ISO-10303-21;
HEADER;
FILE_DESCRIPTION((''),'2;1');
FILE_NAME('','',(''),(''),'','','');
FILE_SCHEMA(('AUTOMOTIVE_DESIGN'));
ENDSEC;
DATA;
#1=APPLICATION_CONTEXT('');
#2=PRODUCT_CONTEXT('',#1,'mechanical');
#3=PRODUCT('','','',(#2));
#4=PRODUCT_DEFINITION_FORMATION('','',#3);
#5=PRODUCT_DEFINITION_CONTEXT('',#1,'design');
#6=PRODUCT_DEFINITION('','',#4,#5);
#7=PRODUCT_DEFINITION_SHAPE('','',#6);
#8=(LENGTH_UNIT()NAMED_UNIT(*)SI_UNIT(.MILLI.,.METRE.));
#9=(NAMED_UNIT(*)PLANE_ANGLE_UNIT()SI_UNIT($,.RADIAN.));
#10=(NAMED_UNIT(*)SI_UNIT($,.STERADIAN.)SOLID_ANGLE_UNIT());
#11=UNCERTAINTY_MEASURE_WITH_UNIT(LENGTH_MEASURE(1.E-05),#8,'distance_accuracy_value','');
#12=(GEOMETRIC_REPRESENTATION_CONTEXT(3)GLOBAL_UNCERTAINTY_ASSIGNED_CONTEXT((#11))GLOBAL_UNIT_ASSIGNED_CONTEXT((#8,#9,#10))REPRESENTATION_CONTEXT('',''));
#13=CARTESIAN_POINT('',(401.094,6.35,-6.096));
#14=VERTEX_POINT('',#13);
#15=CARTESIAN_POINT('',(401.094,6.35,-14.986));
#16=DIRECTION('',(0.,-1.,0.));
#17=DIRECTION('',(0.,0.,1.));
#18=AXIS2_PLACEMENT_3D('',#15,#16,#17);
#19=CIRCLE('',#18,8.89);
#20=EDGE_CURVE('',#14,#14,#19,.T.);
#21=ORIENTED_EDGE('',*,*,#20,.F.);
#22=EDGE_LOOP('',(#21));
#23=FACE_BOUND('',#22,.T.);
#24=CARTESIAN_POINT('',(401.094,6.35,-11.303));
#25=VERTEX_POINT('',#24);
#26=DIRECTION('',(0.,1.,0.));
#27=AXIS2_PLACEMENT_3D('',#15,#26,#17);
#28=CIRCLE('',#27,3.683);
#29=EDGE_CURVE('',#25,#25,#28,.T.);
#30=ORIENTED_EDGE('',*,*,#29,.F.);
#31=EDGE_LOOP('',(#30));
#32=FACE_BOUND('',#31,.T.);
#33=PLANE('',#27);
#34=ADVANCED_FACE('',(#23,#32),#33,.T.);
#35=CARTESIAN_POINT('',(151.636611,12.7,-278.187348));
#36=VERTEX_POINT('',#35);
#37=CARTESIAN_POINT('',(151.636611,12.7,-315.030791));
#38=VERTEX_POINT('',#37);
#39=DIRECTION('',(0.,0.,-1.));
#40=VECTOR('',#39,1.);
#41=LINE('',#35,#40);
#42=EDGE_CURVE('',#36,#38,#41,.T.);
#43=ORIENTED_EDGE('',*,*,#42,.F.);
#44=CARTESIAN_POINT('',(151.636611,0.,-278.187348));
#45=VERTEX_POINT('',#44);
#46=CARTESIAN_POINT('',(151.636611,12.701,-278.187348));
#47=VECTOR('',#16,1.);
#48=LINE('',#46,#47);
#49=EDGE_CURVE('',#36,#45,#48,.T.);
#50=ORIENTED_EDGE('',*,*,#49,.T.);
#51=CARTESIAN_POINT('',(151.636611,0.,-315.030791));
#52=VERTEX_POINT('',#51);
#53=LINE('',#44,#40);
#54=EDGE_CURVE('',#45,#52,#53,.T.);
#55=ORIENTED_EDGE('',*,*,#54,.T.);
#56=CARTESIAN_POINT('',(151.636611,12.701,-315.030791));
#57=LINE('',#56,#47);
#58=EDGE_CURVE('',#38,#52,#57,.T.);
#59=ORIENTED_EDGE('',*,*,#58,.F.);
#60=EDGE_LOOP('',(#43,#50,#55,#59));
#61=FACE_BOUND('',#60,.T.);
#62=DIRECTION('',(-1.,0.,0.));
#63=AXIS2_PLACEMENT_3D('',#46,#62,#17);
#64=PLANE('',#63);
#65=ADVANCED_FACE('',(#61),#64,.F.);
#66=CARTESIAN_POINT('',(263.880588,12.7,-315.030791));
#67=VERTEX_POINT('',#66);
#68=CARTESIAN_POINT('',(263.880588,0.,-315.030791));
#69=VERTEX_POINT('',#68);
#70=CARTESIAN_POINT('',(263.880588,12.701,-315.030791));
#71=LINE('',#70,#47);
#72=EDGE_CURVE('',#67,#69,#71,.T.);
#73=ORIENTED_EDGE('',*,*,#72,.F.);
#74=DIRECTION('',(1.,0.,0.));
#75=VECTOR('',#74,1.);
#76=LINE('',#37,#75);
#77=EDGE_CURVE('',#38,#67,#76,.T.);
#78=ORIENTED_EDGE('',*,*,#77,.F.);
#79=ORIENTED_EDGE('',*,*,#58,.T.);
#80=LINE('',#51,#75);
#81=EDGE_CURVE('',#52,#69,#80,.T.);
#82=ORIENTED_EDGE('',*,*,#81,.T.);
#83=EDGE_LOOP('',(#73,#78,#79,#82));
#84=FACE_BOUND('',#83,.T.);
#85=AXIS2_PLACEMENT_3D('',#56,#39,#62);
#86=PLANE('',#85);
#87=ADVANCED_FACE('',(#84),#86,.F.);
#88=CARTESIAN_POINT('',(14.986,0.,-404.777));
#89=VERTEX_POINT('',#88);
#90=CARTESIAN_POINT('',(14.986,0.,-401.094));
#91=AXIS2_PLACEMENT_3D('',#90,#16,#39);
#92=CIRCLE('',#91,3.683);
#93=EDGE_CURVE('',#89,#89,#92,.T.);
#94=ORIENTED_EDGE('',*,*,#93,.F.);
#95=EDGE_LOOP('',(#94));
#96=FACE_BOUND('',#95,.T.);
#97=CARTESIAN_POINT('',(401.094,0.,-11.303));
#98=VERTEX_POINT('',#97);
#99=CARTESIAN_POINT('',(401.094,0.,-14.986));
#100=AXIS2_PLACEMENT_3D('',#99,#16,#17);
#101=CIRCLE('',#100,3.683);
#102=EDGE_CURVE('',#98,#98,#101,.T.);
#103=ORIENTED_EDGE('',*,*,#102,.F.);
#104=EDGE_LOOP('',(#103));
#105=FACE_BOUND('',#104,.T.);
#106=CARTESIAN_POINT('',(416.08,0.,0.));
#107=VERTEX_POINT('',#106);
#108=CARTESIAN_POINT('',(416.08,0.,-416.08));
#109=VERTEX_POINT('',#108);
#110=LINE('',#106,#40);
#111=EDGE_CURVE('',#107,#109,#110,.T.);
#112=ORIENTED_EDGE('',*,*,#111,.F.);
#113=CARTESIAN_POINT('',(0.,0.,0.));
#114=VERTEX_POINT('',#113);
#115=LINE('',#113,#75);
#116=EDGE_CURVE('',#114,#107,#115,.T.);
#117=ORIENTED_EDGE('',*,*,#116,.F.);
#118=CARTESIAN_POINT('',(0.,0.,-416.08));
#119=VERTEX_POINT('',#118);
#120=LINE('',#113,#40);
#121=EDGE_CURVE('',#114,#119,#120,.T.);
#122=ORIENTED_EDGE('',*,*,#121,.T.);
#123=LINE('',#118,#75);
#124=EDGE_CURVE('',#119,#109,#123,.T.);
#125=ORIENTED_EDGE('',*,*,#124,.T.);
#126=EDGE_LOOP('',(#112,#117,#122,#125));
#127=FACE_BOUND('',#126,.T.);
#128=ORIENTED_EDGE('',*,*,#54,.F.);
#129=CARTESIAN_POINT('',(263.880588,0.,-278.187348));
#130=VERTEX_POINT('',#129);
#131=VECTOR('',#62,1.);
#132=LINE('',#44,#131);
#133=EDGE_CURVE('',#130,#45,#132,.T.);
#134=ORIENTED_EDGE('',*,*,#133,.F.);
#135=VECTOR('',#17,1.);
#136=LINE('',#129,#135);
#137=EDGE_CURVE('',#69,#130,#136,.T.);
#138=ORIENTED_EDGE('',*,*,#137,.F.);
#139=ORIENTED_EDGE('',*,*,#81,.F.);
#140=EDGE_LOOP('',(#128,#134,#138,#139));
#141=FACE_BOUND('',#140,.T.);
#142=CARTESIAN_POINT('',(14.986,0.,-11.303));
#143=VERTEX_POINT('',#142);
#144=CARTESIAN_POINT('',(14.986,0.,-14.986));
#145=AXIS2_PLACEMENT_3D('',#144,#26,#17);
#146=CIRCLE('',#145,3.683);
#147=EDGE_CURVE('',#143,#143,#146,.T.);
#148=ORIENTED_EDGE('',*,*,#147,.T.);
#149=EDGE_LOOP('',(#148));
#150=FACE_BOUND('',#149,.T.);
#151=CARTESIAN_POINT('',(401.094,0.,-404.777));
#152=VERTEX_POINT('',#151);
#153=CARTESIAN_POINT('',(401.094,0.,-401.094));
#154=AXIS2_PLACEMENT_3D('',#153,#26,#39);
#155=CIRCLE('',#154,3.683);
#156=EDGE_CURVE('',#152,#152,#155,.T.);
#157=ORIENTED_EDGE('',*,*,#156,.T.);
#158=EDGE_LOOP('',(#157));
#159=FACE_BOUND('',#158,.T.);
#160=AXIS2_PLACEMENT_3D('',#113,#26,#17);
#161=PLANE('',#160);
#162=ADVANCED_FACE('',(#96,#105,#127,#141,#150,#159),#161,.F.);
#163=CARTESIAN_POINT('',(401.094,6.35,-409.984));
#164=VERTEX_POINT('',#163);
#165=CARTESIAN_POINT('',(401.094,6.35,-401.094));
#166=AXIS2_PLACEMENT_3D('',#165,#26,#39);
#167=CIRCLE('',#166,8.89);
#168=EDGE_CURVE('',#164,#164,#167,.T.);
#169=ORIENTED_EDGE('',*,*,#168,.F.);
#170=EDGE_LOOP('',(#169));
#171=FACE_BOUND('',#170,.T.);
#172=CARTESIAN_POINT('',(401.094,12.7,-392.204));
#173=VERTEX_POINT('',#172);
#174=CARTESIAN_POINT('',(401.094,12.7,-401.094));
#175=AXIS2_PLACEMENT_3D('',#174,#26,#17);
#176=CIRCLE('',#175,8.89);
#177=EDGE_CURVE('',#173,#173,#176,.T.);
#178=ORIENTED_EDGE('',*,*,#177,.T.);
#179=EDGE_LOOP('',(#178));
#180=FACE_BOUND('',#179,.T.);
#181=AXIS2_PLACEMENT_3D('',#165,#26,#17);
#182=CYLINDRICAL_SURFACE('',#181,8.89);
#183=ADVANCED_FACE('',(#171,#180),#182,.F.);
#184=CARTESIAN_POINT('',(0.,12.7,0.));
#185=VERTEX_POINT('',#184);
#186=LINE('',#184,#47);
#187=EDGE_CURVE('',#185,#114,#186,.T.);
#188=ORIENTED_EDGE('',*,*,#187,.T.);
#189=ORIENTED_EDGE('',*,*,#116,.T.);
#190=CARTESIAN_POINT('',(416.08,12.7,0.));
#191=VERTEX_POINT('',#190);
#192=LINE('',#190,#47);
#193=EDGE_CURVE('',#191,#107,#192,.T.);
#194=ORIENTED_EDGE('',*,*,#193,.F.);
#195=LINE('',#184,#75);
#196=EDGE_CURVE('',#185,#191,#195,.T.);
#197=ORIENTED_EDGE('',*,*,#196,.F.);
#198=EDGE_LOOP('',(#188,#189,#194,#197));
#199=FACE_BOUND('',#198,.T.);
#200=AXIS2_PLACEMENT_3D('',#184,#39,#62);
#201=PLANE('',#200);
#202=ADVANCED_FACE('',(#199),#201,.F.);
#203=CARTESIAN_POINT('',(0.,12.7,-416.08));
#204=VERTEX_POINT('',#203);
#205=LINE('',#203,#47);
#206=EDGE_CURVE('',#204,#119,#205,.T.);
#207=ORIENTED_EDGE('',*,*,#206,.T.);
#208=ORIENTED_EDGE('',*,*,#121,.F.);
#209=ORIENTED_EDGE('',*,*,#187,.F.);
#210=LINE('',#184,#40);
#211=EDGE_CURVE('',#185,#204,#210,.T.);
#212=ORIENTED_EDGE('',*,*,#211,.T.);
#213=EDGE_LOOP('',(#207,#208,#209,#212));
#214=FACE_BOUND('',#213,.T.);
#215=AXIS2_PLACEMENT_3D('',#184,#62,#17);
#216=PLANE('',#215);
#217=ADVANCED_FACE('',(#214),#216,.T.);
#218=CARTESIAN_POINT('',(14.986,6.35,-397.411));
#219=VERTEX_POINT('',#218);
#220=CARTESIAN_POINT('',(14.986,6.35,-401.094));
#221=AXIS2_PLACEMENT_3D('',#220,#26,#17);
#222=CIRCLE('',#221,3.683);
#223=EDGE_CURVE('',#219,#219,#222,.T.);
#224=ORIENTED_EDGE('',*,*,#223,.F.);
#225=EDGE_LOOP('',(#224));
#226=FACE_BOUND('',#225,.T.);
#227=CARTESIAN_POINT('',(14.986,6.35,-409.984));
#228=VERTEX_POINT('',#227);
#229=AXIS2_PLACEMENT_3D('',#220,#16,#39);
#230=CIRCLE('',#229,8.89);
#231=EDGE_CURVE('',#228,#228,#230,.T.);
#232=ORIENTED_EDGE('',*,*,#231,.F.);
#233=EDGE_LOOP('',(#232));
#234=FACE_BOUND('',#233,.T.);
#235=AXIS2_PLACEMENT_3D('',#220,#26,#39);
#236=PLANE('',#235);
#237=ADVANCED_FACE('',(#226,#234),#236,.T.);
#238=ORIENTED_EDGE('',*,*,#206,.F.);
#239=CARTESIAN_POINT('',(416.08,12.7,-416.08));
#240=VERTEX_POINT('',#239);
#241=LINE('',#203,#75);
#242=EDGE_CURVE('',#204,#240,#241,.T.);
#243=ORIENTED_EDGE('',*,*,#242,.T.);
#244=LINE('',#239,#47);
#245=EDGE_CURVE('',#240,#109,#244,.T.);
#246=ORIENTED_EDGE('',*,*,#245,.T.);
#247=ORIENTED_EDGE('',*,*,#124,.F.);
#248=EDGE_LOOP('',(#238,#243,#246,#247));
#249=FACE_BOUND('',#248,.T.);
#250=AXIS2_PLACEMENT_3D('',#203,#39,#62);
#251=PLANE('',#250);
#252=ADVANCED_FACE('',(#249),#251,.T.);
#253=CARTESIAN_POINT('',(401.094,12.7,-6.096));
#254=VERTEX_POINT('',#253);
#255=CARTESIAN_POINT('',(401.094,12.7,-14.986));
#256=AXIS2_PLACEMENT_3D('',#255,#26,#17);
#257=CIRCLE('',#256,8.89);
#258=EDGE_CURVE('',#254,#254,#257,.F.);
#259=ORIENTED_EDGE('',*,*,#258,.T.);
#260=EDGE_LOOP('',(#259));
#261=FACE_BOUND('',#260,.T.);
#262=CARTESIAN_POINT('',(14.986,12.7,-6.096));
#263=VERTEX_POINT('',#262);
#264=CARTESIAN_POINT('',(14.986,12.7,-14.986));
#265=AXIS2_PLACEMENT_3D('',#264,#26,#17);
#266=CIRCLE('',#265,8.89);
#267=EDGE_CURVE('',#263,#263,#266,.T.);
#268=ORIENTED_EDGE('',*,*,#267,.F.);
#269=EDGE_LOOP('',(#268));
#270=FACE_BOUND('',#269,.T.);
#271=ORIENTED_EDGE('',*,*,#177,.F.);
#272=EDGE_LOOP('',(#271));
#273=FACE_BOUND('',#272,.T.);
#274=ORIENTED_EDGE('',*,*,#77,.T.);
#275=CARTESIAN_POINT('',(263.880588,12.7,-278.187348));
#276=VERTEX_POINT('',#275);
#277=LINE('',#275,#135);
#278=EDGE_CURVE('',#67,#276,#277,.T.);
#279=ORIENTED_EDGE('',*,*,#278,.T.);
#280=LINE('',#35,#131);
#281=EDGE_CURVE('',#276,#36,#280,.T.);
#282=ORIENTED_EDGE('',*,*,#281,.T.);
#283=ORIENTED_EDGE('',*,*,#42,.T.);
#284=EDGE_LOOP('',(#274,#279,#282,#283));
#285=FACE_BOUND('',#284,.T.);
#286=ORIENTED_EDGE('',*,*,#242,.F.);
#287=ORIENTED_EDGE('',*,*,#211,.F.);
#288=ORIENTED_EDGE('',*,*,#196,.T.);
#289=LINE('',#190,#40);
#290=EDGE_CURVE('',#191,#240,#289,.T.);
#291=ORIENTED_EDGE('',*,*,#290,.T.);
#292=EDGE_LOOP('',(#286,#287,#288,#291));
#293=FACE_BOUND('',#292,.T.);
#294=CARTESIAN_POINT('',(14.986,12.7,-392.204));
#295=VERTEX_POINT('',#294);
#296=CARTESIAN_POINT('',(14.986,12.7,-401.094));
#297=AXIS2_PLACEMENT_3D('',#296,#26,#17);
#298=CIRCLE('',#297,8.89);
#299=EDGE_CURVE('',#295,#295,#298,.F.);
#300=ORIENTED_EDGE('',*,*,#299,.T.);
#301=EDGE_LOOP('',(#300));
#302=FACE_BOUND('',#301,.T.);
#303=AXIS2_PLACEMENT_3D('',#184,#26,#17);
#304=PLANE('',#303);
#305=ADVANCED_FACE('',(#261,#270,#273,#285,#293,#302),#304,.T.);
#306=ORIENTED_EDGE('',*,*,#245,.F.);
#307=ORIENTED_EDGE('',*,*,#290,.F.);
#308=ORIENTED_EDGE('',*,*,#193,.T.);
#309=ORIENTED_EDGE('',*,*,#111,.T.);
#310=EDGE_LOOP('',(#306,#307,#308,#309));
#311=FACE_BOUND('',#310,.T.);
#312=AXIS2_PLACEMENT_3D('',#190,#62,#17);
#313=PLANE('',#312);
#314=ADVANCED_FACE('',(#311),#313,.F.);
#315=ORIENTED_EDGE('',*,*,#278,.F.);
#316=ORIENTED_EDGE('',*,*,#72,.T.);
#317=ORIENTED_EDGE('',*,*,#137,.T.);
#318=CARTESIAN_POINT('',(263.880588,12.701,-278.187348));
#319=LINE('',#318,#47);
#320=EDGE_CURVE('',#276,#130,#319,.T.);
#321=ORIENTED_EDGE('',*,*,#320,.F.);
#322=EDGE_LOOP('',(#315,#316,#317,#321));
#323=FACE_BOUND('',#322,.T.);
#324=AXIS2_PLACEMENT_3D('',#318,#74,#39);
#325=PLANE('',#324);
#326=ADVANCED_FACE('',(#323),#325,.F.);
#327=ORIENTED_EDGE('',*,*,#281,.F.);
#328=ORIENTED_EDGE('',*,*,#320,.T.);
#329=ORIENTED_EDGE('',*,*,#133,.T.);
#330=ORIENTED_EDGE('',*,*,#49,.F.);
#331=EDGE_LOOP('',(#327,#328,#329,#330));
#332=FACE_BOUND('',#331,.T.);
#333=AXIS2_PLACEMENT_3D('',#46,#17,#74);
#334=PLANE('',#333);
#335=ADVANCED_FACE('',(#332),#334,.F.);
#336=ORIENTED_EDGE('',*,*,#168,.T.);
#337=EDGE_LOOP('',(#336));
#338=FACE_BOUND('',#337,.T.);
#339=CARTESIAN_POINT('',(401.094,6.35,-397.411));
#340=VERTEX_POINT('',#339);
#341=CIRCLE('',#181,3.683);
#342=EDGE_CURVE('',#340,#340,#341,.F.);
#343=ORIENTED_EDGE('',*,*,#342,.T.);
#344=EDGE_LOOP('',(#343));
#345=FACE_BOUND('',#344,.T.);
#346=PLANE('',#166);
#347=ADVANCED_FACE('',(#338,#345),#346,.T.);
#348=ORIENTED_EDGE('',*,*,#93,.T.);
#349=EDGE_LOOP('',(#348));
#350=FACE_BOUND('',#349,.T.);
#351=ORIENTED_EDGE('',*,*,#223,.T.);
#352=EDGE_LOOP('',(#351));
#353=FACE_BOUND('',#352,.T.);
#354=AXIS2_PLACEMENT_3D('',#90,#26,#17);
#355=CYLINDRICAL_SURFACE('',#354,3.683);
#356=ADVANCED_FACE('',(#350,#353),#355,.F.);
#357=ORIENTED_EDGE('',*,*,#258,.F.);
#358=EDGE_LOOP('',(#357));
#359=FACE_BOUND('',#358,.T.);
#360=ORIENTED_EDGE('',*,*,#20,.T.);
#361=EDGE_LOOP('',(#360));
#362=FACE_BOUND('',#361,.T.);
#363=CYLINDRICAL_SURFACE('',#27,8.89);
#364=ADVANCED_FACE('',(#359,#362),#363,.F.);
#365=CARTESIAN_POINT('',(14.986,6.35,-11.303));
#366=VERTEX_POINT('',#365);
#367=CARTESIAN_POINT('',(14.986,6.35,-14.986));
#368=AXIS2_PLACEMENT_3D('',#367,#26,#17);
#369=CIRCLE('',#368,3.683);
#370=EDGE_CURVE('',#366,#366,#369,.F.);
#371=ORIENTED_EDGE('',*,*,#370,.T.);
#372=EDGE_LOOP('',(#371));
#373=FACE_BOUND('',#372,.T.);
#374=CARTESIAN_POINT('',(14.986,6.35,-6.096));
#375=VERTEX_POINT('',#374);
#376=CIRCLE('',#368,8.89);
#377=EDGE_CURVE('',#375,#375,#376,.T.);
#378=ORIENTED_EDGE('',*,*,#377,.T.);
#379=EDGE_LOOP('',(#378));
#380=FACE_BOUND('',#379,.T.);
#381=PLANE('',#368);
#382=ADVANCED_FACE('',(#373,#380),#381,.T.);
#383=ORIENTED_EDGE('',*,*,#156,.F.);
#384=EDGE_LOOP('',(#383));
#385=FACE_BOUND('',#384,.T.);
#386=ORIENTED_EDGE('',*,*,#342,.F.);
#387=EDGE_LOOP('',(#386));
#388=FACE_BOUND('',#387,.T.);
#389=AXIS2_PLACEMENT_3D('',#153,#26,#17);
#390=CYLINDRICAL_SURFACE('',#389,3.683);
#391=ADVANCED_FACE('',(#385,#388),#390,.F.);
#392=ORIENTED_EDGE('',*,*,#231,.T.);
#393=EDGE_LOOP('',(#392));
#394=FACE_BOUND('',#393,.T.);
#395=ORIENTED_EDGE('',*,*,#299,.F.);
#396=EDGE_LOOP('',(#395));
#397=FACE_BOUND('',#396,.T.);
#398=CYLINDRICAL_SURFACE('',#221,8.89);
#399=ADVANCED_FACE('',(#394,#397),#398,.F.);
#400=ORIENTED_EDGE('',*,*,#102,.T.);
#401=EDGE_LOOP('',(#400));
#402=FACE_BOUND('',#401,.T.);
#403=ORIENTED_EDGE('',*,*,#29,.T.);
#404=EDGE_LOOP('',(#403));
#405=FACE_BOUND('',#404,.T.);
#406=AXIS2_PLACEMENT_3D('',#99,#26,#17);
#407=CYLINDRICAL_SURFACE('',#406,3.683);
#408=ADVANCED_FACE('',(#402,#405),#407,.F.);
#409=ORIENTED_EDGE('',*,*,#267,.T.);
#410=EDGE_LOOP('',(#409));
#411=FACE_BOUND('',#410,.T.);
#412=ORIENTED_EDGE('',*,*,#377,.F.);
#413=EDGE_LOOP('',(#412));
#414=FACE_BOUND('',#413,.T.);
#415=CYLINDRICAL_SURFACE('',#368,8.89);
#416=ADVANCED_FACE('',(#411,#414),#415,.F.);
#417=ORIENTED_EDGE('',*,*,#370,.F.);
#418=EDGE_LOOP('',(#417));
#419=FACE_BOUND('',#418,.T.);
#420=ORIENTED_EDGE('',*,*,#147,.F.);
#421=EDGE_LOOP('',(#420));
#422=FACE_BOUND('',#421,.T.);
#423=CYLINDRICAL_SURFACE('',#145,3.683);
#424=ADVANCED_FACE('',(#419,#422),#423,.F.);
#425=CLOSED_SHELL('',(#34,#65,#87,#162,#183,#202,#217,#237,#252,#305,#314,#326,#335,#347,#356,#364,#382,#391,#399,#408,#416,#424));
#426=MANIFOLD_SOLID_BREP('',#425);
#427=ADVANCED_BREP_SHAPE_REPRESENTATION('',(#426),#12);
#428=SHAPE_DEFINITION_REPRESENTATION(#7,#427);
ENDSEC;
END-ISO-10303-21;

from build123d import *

# Parameters (mm, degrees)
SKETCH1_W                                  = 416.08
SKETCH1_H                                  = 416.08
BOSS_EXTRUDE1_DEPTH                        = 12.7
SKETCH2_R                                  = 3.683
CUT_EXTRUDE1_DEPTH                         = 589.563015148
SKETCH3_R                                  = 8.89
CUT_EXTRUDE2_DEPTH                         = 6.35
MIRROR1_AT_THE_SECOND_PLANE_COPY_1_SKETC_R = 3.683
MIRROR1_AT_THE_SECOND_PLANE_COPY_1_DEPTH   = 589.563015148
MIRROR1_AT_THE_SECOND_PLANE_COPY_2_SKETC_R = 8.89
MIRROR1_AT_THE_SECOND_PLANE_COPY_2_DEPTH   = 6.35
CUT_EXTRUDE3_REACH                         = 590.563
SKETCH4_W                                  = 112.243977319
SKETCH4_H                                  = 36.843442936


with BuildPart() as part:
    # Sketch1 → Boss-Extrude1 (new body)
    with BuildSketch(Plane(origin=(0, 0, 0), x_dir=(1, 0, 0), z_dir=(0, 1, 0))):
        with Locations((208.04, 208.04)):
            Rectangle(SKETCH1_W, SKETCH1_H)
    extrude(amount=BOSS_EXTRUDE1_DEPTH)

    # Sketch2 → Cut-Extrude1 (cut, through all)
    with BuildSketch(Plane(origin=(0, 12.7, 0), x_dir=(1, 0, 0), z_dir=(0, 1, 0))):
        with Locations(Location((14.986, 14.986, 0), (0, 0, 270))):
            Circle(SKETCH2_R)
    cut_extrude1 = extrude(amount=-CUT_EXTRUDE1_DEPTH, mode=Mode.SUBTRACT)

    # Sketch3 → Cut-Extrude2 (cut, symmetric)
    with BuildSketch(Plane(origin=(0, 12.7, 0), x_dir=(1, 0, 0), z_dir=(0, 1, 0))):
        with Locations(Location((14.986, 14.986, 0), (0, 0, 270))):
            Circle(SKETCH3_R)
    cut_extrude2 = extrude(amount=CUT_EXTRUDE2_DEPTH, both=True, mode=Mode.SUBTRACT)

    # Mirror1: Cut-Extrude1, Cut-Extrude2 across plane
    add(cut_extrude1.mirror(Plane(origin=(0, 0, -208.04), x_dir=(1, 0, 0), z_dir=(0, 0, -1))), mode=Mode.SUBTRACT)
    add(cut_extrude2.mirror(Plane(origin=(0, 0, -208.04), x_dir=(1, 0, 0), z_dir=(0, 0, -1))), mode=Mode.SUBTRACT)

    # Mirror1 at the second plane: Cut-Extrude1, Cut-Extrude2 across plane
    add(cut_extrude1.mirror(Plane.ZY.offset(-208.04)), mode=Mode.SUBTRACT)
    add(cut_extrude2.mirror(Plane.ZY.offset(-208.04)), mode=Mode.SUBTRACT)

    # Mirror1 at the second plane copy 1 sketc → Mirror1 at the second plane copy 1 (cut, through all)
    with BuildSketch(Plane(origin=(416.08, 12.7, -416.08), x_dir=(-1, 0, 0), z_dir=(0, 1, 0))):
        with Locations(Location((14.986, 14.986, 0), (0, 0, 270))):
            Circle(MIRROR1_AT_THE_SECOND_PLANE_COPY_1_SKETC_R)
    extrude(amount=-MIRROR1_AT_THE_SECOND_PLANE_COPY_1_DEPTH, mode=Mode.SUBTRACT)

    # Mirror1 at the second plane copy 2 sketc → Mirror1 at the second plane copy 2 (cut, symmetric)
    with BuildSketch(Plane(origin=(416.08, 12.7, -416.08), x_dir=(-1, 0, 0), z_dir=(0, 1, 0))):
        with Locations(Location((14.986, 14.986, 0), (0, 0, 270))):
            Circle(MIRROR1_AT_THE_SECOND_PLANE_COPY_2_SKETC_R)
    extrude(amount=MIRROR1_AT_THE_SECOND_PLANE_COPY_2_DEPTH, both=True, mode=Mode.SUBTRACT)

    # Sketch4 → Cut-Extrude3 (cut, up to next)
    with BuildSketch(Plane.XZ, mode=Mode.PRIVATE) as cut_extrude3_sk1:
        with Locations((207.758599761, -296.609069082)):
            Rectangle(SKETCH4_W, SKETCH4_H)
    cut_extrude3_tool1 = extrude(cut_extrude3_sk1.sketch, amount=-CUT_EXTRUDE3_REACH, mode=Mode.PRIVATE) & part.part
    add(cut_extrude3_tool1.solids().sort_by_distance((207.7586, 0, -296.609069))[0], mode=Mode.SUBTRACT)


solid = part.part
